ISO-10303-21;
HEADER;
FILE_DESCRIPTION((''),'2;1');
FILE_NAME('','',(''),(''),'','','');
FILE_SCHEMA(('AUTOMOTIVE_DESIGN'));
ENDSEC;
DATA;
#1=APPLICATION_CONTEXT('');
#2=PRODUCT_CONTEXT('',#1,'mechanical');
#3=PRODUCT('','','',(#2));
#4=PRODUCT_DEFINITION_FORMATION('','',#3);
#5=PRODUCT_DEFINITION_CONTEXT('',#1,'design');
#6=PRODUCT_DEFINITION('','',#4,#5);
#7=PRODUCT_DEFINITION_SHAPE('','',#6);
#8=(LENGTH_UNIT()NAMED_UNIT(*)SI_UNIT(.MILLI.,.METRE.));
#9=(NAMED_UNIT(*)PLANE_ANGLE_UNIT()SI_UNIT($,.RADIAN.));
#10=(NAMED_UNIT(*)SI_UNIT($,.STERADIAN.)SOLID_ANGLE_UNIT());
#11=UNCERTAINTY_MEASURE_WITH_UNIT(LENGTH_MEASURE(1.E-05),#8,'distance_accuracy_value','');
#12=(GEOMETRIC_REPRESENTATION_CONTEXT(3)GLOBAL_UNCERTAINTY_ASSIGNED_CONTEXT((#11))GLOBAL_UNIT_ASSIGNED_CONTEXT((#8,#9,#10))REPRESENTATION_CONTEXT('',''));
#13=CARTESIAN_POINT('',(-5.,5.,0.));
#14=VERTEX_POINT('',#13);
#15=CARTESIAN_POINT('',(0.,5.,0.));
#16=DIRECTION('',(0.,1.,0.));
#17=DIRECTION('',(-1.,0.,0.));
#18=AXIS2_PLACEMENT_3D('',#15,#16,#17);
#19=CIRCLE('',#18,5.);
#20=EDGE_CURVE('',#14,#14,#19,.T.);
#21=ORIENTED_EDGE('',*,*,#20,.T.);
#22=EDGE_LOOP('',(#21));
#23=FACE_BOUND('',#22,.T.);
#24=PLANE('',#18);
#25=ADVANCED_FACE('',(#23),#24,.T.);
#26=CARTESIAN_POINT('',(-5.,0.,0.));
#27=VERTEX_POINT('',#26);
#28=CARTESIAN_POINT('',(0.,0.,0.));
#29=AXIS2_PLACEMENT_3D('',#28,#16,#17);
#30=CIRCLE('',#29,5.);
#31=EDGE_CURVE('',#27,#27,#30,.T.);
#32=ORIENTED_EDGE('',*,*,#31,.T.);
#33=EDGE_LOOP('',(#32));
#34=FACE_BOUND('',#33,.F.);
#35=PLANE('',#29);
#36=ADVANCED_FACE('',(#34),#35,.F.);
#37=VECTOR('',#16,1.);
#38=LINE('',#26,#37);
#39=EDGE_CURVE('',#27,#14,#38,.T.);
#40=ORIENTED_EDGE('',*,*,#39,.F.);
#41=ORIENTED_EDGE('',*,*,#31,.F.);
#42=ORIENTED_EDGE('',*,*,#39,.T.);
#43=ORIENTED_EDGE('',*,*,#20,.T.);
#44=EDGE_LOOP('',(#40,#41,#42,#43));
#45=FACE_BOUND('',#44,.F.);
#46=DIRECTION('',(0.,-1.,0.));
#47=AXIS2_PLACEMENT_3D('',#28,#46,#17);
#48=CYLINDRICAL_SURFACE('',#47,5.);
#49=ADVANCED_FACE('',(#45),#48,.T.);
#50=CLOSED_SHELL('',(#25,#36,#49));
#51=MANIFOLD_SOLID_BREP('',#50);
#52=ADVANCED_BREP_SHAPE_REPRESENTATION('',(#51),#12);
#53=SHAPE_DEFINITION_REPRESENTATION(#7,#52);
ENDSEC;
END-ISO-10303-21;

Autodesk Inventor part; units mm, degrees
ref_plane "YZ Plane" through (0, 0, 0) normal (1, 0, 0) x (0, 1, 0)
ref_plane "XZ Plane" through (0, 0, 0) normal (0, 1, 0) x (-1, 0, 0)
ref_plane "XY Plane" through (0, 0, 0) normal (0, 0, 1) x (1, 0, 0)
sketch "Sketch1" plane through (0, 0, 0) normal (0, 1, 0) x (-1, 0, 0)
  circle A0 centre (0, 0) radius 5
  dimension "d0" = 10
extrude "Extrusion1" add sketch "Sketch1" along normal blind 5
properties part number "gear1"
